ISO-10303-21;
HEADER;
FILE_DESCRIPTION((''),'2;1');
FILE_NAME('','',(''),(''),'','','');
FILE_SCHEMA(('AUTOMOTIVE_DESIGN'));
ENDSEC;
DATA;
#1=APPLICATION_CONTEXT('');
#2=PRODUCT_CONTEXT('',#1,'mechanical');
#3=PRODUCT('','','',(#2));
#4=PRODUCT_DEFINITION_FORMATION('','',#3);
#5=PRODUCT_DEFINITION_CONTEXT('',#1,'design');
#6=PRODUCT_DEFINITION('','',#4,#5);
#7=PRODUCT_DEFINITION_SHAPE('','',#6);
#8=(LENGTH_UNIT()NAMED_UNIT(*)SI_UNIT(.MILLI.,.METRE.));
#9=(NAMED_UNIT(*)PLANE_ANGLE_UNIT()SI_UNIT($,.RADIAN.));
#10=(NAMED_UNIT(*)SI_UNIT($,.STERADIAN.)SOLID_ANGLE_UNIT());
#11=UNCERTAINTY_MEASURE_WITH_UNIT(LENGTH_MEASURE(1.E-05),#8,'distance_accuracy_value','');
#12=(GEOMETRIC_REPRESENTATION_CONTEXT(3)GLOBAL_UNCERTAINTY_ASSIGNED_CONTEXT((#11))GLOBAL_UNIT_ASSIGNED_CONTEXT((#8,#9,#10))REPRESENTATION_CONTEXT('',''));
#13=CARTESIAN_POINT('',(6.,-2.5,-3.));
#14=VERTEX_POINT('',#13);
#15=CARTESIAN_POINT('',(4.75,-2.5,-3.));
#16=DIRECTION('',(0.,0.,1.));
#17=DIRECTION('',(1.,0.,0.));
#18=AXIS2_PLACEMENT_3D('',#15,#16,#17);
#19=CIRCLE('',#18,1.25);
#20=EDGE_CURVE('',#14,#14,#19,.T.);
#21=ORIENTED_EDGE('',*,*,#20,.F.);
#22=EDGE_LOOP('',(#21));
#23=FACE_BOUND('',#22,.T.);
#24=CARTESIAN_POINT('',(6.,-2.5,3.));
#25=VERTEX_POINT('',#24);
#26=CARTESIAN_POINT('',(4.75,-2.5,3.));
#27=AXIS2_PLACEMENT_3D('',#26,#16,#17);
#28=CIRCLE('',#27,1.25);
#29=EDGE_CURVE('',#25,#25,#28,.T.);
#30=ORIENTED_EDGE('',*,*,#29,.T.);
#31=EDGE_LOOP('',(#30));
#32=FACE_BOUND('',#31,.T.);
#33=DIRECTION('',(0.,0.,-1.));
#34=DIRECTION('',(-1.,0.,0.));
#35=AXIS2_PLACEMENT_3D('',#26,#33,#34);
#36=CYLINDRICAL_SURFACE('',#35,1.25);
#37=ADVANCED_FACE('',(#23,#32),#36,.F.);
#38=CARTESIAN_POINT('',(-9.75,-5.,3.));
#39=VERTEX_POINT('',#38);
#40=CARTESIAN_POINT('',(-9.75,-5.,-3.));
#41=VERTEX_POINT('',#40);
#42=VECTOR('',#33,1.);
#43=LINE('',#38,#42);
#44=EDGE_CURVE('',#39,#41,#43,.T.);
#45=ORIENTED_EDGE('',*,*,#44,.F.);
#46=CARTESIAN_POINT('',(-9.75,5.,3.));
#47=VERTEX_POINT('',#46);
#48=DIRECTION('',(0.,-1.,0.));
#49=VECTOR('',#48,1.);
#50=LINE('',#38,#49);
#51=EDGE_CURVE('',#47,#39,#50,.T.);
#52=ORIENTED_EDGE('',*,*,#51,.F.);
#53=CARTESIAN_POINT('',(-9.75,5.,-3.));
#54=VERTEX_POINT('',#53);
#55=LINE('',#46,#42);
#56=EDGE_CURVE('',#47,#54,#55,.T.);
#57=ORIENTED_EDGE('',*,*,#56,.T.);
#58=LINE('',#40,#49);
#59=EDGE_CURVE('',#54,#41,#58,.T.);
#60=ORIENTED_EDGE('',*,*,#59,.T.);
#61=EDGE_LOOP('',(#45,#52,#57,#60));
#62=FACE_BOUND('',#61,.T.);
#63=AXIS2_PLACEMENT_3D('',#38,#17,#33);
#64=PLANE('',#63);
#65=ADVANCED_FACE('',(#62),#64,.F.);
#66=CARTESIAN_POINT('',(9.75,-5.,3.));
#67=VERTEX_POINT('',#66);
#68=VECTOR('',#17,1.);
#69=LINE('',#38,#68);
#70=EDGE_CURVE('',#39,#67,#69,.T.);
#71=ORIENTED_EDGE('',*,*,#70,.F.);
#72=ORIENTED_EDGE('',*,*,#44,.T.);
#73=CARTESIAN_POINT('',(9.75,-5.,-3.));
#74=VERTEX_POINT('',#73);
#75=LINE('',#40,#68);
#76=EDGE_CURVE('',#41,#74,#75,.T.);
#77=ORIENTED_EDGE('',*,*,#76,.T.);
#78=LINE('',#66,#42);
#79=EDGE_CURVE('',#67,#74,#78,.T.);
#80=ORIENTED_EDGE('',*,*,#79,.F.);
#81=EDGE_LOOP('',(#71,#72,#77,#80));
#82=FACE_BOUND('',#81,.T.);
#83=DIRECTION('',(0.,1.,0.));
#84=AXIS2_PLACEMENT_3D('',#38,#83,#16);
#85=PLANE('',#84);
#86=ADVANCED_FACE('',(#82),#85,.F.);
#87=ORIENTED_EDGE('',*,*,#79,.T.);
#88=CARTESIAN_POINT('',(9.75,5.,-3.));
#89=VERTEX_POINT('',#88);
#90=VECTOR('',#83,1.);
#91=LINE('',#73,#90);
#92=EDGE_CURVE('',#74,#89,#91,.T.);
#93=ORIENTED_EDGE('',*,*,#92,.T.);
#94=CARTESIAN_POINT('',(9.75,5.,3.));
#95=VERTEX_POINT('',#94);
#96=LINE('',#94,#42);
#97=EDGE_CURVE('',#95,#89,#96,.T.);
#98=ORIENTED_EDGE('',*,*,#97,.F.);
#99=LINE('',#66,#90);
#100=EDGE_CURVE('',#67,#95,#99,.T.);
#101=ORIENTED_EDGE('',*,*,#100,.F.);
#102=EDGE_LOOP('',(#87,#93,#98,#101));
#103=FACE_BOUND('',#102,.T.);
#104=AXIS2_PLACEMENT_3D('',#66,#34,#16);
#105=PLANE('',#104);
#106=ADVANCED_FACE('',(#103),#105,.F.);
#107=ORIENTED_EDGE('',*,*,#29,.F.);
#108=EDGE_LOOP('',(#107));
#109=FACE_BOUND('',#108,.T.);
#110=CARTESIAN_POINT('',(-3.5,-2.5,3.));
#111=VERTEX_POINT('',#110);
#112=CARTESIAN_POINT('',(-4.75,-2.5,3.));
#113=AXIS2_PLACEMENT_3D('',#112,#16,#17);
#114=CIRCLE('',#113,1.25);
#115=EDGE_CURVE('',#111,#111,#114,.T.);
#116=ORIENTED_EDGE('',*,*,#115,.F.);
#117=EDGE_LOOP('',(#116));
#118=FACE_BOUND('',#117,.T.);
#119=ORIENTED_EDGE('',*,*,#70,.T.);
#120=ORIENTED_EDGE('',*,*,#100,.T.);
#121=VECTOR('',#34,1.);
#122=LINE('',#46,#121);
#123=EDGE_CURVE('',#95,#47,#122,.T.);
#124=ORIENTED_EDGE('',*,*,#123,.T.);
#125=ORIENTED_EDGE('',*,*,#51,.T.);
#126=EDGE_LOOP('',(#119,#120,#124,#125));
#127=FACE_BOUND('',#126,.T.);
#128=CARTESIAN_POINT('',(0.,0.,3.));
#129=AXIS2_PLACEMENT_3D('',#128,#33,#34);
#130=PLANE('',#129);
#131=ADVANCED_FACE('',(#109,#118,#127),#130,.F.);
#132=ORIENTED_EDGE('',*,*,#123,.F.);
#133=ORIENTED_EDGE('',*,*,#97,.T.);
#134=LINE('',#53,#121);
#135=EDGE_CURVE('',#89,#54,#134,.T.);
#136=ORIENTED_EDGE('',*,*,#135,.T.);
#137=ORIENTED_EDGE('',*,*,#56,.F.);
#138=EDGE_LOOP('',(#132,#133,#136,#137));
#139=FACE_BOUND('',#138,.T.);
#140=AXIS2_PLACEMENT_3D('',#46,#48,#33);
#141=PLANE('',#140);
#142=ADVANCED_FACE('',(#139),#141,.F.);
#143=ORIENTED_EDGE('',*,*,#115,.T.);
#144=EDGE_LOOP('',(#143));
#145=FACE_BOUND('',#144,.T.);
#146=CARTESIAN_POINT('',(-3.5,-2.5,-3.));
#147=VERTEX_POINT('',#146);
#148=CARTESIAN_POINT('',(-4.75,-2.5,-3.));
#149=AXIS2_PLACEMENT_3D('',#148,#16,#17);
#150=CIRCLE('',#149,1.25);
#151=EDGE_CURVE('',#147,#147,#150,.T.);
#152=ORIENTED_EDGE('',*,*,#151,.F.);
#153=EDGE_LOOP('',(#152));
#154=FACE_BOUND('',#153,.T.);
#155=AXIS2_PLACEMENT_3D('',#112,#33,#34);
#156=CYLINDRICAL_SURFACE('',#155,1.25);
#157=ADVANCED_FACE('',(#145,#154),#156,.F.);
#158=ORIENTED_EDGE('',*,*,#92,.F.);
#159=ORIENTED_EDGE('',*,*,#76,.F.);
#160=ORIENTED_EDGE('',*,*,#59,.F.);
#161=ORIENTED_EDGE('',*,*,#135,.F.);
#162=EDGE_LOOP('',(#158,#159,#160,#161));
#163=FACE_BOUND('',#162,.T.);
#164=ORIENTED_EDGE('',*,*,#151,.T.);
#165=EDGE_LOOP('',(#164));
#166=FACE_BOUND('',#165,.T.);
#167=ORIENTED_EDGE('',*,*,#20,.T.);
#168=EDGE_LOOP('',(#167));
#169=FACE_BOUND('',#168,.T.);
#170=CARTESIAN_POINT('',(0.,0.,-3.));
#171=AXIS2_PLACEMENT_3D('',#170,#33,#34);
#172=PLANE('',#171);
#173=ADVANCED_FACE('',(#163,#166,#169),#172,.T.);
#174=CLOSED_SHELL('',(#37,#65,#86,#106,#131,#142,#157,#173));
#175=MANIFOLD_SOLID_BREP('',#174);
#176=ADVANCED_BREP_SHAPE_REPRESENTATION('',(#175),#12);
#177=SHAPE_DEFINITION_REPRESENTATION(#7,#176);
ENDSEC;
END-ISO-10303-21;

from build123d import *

# Parameters (mm, degrees)
SKETCH2_W           = 19.5
SKETCH2_H           = 10
SKETCH2_R           = 1.25
BOSS_EXTRUDE1_DEPTH = 3


with BuildPart() as part:
    # Sketch2 → Boss-Extrude1 (new, symmetric)
    with BuildSketch(Plane.XY):
        Rectangle(SKETCH2_W, SKETCH2_H)
        with Locations((-4.75, -2.5)):
            Circle(SKETCH2_R, mode=Mode.SUBTRACT)
        with Locations((4.75, -2.5)):
            Circle(SKETCH2_R, mode=Mode.SUBTRACT)
    extrude(amount=BOSS_EXTRUDE1_DEPTH, both=True)


solid = part.part
